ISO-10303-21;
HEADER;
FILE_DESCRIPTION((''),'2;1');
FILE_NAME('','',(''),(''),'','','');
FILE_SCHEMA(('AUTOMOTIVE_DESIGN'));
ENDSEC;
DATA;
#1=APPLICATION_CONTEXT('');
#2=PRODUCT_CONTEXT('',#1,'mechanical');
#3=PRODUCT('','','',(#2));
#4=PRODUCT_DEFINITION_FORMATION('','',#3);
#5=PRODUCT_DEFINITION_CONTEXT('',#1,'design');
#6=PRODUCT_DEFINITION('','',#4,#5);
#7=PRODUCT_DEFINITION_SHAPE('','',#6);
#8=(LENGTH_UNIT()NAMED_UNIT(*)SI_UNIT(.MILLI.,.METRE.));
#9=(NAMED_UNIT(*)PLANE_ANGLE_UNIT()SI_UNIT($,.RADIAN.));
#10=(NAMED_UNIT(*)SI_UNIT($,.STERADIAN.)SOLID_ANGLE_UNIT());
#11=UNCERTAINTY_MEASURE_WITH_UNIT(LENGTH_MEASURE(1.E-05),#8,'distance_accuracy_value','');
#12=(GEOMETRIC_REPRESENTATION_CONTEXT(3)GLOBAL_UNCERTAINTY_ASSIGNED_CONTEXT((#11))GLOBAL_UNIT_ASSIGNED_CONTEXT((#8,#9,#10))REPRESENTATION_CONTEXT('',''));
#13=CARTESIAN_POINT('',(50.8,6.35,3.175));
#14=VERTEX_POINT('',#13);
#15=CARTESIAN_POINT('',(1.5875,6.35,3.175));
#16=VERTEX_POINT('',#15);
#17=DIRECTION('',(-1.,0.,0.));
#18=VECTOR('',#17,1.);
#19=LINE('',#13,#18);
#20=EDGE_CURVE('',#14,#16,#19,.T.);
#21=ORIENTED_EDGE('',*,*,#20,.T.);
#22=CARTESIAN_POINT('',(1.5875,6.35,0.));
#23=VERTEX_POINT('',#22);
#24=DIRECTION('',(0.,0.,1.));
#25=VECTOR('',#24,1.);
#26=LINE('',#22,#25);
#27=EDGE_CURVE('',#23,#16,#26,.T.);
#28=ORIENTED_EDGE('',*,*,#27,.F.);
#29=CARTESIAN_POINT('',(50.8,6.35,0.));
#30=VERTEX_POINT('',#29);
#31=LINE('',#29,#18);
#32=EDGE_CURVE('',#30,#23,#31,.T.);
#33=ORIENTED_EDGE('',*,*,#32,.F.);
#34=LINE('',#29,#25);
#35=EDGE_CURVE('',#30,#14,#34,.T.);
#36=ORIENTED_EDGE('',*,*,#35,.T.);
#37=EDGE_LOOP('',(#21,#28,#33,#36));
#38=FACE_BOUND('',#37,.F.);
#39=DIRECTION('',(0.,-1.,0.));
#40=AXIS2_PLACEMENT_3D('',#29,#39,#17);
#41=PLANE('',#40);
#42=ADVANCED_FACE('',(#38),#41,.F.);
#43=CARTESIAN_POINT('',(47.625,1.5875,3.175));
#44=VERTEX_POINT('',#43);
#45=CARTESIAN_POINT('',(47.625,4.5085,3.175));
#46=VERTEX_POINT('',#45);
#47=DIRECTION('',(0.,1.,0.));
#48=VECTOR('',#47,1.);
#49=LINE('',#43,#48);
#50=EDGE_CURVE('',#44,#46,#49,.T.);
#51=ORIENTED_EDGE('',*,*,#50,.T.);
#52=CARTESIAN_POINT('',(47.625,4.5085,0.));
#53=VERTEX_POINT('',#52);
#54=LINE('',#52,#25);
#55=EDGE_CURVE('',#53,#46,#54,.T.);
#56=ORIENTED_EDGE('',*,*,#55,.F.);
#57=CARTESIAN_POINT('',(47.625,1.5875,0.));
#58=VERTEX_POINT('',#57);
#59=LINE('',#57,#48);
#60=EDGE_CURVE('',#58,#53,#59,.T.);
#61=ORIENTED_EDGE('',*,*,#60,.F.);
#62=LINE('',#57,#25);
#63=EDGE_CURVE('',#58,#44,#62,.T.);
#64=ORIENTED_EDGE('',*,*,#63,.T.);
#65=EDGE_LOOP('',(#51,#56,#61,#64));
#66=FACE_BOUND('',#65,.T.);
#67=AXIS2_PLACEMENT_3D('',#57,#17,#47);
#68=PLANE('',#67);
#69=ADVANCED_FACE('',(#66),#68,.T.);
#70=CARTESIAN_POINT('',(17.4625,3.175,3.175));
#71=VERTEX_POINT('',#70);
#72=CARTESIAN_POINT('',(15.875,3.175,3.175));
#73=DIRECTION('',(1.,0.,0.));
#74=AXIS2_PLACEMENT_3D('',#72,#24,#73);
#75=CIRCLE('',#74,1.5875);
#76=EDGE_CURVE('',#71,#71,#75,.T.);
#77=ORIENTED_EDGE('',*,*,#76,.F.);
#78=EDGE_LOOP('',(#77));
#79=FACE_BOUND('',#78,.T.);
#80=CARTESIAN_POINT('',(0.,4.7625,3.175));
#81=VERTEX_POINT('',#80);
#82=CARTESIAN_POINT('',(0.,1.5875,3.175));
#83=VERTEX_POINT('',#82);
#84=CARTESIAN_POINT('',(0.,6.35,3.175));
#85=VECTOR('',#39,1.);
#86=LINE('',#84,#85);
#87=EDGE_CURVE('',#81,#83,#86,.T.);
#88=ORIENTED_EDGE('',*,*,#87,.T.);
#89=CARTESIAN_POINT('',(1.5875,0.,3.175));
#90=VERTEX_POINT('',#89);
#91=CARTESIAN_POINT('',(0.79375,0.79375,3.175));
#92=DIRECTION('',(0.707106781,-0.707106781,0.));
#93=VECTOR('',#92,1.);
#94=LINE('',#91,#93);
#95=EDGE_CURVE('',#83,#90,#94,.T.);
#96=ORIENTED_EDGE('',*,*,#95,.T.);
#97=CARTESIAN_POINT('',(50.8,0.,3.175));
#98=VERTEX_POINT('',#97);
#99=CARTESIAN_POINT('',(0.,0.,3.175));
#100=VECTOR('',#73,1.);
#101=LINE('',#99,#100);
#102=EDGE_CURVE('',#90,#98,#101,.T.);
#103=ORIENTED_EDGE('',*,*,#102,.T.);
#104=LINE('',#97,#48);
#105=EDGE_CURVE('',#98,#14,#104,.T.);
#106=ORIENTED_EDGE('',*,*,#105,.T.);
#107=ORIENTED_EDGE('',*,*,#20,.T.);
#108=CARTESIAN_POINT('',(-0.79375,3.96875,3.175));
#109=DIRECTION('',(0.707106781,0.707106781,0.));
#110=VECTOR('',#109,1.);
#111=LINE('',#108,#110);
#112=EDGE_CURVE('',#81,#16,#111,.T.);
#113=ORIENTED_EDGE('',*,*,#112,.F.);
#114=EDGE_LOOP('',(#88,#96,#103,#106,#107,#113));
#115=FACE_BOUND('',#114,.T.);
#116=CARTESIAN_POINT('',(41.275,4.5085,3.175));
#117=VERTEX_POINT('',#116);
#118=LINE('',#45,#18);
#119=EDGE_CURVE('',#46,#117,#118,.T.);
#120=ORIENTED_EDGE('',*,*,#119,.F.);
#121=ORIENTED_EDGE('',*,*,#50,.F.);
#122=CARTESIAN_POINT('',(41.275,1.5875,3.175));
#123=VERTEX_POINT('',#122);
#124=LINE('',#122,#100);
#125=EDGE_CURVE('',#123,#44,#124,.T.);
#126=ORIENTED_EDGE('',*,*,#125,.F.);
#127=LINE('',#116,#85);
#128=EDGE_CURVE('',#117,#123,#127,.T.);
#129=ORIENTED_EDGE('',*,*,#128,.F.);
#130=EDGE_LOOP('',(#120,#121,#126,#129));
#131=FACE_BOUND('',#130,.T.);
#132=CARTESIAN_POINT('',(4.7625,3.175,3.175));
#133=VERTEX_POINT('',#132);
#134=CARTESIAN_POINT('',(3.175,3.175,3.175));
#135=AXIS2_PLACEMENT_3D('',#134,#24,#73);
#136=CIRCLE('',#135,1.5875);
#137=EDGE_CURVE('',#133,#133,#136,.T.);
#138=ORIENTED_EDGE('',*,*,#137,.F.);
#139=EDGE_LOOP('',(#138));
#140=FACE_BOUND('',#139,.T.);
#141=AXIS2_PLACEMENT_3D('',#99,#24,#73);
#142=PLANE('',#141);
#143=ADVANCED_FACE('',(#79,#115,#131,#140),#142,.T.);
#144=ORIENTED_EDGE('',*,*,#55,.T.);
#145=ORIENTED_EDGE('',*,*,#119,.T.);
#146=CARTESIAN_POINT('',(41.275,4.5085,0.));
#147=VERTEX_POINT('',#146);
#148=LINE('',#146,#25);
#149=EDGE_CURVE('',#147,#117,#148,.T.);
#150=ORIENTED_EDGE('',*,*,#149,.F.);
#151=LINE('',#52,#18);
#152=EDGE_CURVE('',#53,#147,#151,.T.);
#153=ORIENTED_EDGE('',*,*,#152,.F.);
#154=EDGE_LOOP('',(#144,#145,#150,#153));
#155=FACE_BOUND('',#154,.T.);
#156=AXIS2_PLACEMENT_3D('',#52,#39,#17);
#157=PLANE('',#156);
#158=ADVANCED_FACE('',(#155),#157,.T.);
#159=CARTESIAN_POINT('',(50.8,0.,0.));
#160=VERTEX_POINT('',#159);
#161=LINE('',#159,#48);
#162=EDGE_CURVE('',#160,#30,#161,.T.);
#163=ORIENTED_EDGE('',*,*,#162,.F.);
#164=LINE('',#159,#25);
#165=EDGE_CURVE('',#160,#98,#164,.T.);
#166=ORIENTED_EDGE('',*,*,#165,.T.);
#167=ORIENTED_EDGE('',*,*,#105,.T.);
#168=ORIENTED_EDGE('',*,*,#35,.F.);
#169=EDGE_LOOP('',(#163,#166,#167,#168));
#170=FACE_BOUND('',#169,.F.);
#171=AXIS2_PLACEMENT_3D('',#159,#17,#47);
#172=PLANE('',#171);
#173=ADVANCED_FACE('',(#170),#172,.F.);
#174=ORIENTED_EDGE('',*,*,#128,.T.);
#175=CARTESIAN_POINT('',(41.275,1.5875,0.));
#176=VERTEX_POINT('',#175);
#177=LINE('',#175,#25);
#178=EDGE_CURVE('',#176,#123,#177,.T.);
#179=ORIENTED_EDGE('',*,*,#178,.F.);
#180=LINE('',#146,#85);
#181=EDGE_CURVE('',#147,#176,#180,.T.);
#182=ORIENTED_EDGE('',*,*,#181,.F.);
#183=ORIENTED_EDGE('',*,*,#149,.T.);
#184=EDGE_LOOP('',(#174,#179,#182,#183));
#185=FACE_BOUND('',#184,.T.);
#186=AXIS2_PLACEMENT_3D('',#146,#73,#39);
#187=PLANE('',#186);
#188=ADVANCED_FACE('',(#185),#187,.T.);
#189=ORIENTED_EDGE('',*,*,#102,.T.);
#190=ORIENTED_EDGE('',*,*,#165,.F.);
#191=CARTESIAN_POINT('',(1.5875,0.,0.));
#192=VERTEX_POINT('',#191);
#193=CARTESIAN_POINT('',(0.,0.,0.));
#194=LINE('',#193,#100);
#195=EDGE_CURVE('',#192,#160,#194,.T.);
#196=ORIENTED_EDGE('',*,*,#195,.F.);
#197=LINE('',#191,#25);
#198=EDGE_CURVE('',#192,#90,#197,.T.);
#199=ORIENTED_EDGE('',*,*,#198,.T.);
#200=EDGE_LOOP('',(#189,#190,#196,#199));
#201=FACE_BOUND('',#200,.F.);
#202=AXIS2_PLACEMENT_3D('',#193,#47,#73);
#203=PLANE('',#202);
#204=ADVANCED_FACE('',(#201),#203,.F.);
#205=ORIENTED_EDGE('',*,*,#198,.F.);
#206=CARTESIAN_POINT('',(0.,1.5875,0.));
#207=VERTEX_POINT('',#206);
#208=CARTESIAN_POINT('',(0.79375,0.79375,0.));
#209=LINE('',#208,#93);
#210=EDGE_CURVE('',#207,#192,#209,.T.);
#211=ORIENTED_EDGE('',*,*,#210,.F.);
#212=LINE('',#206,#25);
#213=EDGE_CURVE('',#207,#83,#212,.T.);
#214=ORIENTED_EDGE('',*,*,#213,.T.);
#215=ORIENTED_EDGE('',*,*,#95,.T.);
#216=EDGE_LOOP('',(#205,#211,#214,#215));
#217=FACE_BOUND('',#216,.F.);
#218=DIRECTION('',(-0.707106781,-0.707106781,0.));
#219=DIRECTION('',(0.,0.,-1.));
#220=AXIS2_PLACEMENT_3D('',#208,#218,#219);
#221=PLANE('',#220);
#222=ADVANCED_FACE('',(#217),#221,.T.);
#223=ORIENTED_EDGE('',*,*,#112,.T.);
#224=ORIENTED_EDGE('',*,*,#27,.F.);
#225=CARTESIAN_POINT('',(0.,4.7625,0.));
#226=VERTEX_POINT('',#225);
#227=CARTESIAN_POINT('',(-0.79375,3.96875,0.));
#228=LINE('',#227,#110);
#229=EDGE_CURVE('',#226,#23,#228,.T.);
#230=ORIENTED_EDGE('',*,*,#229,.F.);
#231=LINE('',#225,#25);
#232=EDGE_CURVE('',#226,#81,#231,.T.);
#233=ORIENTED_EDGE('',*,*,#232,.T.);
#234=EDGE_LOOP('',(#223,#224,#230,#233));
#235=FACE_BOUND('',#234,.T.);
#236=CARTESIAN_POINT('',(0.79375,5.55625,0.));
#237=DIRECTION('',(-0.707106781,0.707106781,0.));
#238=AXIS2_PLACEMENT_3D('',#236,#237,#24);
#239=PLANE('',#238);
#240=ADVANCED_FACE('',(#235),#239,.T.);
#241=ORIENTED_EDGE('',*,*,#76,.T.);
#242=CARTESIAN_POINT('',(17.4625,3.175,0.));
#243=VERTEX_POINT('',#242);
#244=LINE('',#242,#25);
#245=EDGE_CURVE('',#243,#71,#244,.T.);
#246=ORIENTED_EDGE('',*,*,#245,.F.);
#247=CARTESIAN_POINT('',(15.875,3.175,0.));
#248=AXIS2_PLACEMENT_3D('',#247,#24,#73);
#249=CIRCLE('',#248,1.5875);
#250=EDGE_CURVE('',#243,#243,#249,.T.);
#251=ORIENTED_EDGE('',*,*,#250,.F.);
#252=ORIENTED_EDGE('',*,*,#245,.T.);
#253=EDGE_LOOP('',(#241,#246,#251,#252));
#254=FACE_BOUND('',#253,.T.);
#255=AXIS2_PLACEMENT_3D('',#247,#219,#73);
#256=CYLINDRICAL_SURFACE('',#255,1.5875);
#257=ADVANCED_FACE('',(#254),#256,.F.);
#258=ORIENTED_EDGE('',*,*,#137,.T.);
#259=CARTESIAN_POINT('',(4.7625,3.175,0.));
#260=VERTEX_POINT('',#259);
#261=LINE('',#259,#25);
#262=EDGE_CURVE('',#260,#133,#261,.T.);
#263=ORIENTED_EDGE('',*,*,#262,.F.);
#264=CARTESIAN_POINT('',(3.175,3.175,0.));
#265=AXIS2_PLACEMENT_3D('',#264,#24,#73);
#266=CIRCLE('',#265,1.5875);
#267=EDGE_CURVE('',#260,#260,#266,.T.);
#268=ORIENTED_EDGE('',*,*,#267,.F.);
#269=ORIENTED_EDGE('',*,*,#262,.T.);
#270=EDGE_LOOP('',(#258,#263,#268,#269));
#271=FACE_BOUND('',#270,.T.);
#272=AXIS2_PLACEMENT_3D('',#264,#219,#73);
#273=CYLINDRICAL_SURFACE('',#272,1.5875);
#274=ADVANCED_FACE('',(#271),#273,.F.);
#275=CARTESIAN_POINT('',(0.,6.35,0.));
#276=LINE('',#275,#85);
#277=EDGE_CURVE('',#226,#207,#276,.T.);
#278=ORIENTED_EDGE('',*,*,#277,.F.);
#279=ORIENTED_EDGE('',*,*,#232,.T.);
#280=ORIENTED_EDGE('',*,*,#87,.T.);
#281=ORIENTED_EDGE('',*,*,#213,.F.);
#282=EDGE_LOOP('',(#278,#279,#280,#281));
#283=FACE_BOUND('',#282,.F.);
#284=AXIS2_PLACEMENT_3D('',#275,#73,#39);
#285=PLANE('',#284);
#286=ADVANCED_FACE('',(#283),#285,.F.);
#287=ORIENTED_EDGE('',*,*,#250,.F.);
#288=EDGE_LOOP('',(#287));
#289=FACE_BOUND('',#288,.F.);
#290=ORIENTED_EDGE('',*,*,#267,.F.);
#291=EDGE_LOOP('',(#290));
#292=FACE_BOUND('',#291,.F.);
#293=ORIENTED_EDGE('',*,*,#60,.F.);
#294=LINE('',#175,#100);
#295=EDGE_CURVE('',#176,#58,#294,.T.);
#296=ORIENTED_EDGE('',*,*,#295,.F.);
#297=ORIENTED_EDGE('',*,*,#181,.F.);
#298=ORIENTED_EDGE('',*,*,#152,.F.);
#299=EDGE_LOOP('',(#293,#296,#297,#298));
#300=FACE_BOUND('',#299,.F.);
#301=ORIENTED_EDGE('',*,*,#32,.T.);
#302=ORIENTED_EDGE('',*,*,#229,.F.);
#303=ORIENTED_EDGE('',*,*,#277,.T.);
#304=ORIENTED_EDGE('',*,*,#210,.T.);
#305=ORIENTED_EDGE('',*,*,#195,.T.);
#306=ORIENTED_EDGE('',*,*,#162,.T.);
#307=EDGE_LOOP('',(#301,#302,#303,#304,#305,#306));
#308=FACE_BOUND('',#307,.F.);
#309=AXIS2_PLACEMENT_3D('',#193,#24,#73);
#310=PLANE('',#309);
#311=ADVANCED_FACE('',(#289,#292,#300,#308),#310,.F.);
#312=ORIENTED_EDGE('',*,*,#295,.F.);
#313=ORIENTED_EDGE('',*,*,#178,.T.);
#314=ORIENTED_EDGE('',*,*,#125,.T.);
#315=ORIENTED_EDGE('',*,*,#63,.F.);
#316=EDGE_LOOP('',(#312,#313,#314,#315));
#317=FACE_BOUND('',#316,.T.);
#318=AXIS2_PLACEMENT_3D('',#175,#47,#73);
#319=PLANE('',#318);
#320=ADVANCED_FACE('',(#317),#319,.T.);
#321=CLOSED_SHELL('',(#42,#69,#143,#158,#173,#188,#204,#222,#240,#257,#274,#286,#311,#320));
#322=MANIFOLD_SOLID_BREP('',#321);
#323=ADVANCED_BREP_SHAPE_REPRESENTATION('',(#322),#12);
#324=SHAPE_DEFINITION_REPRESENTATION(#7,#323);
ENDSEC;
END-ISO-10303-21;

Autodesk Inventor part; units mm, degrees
ref_plane "YZ Plane" through (0, 0, 0) normal (1, 0, 0) x (0, 1, 0)
ref_plane "XZ Plane" through (0, 0, 0) normal (0, 1, 0) x (-1, 0, 0)
ref_plane "XY Plane" through (0, 0, 0) normal (0, 0, 1) x (1, 0, 0)
sketch "Sketch1" plane through (0, 0, 0) normal (0, 0, 1) x (1, 0, 0)
  line L0 (0, 0) -> (50.8, 0)
  line L1 (50.8, 0) -> (50.8, 6.35)
  line L2 (50.8, 6.35) -> (0, 6.35)
  line L3 (0, 6.35) -> (0, 0)
  circle A0 centre (3.175, 3.175) radius 1.5875
  circle A1 centre (15.875, 3.175) radius 1.5875
  line L4 (41.275, 1.5875) -> (47.625, 1.5875)
  line L5 (47.625, 1.5875) -> (47.625, 4.5085)
  line L6 (47.625, 4.5085) -> (41.275, 4.5085)
  line L7 (41.275, 4.5085) -> (41.275, 1.5875)
  dimension "d0" = 50.8
  dimension "d1" = 6.35
  dimension "d2" = 3.175
  dimension "d3" = 3.175
  dimension "d4" = 3.175
  dimension "d5" = 3.175
  dimension "d6" = 3.175
  dimension "d7" = 12.7
  dimension "d8" = 2.921
  dimension "d9" = 1.5875
  dimension "d10" = 6.35
  dimension "d11" = 3.175
extrude "Extrusion1" add sketch "Sketch1" along normal blind 3.175
chamfer "Chamfer1" distance 1.5875 angle 45 2 edges at (0, 6.35, 1.5875) (0, 0, 1.5875)
properties part number "camera_arm"
